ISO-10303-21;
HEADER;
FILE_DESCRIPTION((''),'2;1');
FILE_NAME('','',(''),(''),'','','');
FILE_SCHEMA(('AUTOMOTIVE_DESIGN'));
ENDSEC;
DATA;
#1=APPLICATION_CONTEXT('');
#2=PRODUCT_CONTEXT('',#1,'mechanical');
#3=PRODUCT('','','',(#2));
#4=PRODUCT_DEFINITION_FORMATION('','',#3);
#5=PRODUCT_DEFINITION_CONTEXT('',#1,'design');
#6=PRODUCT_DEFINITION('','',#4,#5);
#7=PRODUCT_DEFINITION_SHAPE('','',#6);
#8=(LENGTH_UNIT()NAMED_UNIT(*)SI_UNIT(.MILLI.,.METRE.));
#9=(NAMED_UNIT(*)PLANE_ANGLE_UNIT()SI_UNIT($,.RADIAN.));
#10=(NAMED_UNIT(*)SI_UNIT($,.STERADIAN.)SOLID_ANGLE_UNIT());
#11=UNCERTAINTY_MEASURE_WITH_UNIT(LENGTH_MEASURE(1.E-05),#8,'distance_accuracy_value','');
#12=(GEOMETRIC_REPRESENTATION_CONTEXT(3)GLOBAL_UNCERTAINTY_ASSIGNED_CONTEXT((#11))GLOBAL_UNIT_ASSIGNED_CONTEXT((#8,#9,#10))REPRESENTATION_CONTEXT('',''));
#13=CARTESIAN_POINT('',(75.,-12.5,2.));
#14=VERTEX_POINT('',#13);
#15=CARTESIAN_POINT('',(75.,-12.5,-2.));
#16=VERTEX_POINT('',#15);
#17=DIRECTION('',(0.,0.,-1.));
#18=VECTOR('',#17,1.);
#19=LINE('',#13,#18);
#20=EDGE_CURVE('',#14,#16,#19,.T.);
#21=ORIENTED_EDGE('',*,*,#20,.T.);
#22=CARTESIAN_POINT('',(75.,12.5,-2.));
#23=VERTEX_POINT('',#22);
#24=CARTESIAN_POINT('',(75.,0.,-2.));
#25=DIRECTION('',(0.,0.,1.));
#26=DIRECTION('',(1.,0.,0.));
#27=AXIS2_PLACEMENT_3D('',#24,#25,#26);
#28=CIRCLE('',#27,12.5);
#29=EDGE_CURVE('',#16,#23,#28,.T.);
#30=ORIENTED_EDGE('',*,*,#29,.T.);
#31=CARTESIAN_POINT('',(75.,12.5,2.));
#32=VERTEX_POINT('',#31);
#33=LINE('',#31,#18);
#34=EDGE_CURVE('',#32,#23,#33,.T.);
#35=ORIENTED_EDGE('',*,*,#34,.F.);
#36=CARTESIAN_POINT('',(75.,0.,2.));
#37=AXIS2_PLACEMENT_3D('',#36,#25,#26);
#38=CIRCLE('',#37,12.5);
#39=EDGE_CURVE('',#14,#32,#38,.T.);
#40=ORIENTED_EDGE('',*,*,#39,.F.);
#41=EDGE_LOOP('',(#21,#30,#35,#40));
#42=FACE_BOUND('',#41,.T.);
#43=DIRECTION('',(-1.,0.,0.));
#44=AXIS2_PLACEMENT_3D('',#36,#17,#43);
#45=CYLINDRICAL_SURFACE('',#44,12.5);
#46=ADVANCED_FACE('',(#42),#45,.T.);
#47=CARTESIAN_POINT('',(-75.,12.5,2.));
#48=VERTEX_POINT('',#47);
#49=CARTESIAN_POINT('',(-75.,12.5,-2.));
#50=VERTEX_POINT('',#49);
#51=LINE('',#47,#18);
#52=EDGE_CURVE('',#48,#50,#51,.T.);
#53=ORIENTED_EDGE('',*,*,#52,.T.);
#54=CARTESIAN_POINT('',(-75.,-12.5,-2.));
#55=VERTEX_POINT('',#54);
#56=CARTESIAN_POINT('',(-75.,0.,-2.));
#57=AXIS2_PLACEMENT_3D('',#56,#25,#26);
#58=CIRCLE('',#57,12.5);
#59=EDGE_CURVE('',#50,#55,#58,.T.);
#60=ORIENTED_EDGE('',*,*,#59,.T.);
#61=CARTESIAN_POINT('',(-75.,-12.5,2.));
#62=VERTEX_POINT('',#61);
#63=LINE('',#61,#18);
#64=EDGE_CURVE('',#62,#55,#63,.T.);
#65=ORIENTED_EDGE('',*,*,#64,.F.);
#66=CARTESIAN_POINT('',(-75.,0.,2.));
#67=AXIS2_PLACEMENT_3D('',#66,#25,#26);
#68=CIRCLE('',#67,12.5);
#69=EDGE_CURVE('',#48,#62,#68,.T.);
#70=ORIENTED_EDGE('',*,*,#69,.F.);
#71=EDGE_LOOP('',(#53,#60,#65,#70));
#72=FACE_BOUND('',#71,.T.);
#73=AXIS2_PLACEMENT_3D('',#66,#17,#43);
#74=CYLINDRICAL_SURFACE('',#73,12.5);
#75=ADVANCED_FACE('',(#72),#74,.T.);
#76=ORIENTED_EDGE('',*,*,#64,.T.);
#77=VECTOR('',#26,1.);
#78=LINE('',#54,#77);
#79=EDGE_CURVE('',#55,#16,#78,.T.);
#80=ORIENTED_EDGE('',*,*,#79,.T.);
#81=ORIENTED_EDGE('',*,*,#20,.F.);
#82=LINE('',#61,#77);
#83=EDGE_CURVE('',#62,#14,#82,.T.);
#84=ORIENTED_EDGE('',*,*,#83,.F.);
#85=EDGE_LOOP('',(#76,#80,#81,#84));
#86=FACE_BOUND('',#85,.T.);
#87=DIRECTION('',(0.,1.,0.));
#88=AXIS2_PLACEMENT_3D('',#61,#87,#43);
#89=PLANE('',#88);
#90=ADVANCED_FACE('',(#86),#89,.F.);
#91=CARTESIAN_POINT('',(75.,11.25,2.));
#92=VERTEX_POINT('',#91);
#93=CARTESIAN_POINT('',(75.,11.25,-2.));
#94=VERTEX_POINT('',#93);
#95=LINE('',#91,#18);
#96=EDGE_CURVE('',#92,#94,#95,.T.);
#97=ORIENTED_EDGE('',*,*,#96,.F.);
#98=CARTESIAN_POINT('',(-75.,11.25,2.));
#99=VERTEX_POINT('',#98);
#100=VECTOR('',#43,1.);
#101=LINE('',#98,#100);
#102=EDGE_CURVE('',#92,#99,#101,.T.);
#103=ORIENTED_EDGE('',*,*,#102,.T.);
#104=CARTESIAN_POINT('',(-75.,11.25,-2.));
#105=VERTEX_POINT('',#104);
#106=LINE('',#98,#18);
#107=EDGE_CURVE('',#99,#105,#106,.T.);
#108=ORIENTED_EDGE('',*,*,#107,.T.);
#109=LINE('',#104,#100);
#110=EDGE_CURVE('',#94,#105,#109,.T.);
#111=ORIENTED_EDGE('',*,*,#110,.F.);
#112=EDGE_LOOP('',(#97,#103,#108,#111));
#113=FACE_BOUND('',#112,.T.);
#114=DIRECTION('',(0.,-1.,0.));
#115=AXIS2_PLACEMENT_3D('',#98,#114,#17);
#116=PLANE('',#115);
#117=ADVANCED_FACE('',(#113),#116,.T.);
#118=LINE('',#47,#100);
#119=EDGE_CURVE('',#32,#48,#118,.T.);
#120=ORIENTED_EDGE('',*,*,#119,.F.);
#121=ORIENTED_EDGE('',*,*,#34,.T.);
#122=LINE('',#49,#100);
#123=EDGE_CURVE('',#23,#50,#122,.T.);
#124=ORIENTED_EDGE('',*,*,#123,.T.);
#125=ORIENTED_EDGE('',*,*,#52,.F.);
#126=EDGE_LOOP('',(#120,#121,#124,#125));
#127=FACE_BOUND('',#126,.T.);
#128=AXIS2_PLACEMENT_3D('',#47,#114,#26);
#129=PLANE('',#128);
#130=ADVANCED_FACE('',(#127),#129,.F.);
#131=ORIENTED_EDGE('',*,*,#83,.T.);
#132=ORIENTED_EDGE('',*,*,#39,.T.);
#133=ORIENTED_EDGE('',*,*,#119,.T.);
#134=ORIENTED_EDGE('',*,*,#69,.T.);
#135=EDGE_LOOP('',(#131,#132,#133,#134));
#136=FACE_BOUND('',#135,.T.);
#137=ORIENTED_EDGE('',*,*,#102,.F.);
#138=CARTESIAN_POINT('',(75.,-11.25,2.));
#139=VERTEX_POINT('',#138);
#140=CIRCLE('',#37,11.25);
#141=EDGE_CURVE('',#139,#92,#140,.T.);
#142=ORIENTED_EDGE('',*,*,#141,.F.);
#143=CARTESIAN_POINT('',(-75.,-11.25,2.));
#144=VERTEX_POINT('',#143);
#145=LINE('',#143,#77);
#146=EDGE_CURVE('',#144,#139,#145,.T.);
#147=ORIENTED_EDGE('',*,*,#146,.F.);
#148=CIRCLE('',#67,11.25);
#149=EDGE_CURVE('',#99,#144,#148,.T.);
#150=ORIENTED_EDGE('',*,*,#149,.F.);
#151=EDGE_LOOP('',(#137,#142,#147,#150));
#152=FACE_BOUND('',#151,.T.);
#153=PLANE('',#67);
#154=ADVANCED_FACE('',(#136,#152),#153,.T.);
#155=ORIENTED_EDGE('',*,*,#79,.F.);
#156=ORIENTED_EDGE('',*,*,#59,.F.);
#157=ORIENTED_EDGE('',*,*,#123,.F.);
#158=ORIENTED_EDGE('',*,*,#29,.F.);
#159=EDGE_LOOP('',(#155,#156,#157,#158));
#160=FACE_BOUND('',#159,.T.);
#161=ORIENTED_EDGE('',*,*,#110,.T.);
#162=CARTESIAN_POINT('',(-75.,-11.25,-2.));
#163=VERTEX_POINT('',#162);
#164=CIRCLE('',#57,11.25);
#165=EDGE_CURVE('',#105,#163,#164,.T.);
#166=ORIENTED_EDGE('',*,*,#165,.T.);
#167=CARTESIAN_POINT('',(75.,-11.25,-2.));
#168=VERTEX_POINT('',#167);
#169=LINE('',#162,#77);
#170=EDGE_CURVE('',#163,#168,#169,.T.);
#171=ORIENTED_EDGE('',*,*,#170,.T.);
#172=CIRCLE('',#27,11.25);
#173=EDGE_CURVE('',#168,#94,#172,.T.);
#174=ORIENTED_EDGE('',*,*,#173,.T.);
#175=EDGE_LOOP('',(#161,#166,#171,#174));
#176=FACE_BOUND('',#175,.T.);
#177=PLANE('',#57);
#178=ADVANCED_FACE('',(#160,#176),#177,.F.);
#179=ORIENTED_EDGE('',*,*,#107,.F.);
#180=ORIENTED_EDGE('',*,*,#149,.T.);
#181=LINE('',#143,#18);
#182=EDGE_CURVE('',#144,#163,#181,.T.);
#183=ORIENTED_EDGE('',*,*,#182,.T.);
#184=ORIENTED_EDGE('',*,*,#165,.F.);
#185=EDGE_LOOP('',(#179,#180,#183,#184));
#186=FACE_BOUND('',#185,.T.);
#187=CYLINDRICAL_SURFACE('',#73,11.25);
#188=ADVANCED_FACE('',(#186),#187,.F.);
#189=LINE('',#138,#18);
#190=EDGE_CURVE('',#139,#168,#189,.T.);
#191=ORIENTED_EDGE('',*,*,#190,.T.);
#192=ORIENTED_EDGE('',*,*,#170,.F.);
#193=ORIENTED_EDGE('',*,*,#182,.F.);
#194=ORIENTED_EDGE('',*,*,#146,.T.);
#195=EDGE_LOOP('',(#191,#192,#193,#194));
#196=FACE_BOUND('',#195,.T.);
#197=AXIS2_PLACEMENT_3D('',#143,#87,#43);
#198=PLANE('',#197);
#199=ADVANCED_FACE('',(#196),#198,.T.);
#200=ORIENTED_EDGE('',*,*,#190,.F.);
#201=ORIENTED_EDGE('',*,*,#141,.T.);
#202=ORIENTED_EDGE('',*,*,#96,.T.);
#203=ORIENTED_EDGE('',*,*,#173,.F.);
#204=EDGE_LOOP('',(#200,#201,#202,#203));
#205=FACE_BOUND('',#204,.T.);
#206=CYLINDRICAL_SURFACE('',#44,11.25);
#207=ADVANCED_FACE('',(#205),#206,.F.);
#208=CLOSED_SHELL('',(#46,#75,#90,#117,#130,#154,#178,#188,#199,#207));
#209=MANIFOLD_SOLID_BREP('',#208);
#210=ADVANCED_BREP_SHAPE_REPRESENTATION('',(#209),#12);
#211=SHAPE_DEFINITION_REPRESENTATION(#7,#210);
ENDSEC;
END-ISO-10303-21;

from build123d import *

# Parameters (mm, degrees)
BOSS_EXTRUDE1_DEPTH = 2


with BuildPart() as part:
    # Sketch1 → Boss-Extrude1 (new body, symmetric)
    with BuildSketch(Plane.XY):
        with BuildLine():
            Line((-75, 12.5), (75, 12.5))
            ThreePointArc((75, 12.5), (87.5, 0), (75, -12.5))
            Line((75, -12.5), (-75, -12.5))
            ThreePointArc((-75, -12.5), (-87.5, 0), (-75, 12.5))
        make_face()
        with BuildLine():
            Line((-75, 11.25), (75, 11.25))
            ThreePointArc((75, 11.25), (86.25, 0), (75, -11.25))
            Line((75, -11.25), (-75, -11.25))
            ThreePointArc((-75, -11.25), (-86.25, 0), (-75, 11.25))
        make_face(mode=Mode.SUBTRACT)
    extrude(amount=BOSS_EXTRUDE1_DEPTH, both=True)


solid = part.part
